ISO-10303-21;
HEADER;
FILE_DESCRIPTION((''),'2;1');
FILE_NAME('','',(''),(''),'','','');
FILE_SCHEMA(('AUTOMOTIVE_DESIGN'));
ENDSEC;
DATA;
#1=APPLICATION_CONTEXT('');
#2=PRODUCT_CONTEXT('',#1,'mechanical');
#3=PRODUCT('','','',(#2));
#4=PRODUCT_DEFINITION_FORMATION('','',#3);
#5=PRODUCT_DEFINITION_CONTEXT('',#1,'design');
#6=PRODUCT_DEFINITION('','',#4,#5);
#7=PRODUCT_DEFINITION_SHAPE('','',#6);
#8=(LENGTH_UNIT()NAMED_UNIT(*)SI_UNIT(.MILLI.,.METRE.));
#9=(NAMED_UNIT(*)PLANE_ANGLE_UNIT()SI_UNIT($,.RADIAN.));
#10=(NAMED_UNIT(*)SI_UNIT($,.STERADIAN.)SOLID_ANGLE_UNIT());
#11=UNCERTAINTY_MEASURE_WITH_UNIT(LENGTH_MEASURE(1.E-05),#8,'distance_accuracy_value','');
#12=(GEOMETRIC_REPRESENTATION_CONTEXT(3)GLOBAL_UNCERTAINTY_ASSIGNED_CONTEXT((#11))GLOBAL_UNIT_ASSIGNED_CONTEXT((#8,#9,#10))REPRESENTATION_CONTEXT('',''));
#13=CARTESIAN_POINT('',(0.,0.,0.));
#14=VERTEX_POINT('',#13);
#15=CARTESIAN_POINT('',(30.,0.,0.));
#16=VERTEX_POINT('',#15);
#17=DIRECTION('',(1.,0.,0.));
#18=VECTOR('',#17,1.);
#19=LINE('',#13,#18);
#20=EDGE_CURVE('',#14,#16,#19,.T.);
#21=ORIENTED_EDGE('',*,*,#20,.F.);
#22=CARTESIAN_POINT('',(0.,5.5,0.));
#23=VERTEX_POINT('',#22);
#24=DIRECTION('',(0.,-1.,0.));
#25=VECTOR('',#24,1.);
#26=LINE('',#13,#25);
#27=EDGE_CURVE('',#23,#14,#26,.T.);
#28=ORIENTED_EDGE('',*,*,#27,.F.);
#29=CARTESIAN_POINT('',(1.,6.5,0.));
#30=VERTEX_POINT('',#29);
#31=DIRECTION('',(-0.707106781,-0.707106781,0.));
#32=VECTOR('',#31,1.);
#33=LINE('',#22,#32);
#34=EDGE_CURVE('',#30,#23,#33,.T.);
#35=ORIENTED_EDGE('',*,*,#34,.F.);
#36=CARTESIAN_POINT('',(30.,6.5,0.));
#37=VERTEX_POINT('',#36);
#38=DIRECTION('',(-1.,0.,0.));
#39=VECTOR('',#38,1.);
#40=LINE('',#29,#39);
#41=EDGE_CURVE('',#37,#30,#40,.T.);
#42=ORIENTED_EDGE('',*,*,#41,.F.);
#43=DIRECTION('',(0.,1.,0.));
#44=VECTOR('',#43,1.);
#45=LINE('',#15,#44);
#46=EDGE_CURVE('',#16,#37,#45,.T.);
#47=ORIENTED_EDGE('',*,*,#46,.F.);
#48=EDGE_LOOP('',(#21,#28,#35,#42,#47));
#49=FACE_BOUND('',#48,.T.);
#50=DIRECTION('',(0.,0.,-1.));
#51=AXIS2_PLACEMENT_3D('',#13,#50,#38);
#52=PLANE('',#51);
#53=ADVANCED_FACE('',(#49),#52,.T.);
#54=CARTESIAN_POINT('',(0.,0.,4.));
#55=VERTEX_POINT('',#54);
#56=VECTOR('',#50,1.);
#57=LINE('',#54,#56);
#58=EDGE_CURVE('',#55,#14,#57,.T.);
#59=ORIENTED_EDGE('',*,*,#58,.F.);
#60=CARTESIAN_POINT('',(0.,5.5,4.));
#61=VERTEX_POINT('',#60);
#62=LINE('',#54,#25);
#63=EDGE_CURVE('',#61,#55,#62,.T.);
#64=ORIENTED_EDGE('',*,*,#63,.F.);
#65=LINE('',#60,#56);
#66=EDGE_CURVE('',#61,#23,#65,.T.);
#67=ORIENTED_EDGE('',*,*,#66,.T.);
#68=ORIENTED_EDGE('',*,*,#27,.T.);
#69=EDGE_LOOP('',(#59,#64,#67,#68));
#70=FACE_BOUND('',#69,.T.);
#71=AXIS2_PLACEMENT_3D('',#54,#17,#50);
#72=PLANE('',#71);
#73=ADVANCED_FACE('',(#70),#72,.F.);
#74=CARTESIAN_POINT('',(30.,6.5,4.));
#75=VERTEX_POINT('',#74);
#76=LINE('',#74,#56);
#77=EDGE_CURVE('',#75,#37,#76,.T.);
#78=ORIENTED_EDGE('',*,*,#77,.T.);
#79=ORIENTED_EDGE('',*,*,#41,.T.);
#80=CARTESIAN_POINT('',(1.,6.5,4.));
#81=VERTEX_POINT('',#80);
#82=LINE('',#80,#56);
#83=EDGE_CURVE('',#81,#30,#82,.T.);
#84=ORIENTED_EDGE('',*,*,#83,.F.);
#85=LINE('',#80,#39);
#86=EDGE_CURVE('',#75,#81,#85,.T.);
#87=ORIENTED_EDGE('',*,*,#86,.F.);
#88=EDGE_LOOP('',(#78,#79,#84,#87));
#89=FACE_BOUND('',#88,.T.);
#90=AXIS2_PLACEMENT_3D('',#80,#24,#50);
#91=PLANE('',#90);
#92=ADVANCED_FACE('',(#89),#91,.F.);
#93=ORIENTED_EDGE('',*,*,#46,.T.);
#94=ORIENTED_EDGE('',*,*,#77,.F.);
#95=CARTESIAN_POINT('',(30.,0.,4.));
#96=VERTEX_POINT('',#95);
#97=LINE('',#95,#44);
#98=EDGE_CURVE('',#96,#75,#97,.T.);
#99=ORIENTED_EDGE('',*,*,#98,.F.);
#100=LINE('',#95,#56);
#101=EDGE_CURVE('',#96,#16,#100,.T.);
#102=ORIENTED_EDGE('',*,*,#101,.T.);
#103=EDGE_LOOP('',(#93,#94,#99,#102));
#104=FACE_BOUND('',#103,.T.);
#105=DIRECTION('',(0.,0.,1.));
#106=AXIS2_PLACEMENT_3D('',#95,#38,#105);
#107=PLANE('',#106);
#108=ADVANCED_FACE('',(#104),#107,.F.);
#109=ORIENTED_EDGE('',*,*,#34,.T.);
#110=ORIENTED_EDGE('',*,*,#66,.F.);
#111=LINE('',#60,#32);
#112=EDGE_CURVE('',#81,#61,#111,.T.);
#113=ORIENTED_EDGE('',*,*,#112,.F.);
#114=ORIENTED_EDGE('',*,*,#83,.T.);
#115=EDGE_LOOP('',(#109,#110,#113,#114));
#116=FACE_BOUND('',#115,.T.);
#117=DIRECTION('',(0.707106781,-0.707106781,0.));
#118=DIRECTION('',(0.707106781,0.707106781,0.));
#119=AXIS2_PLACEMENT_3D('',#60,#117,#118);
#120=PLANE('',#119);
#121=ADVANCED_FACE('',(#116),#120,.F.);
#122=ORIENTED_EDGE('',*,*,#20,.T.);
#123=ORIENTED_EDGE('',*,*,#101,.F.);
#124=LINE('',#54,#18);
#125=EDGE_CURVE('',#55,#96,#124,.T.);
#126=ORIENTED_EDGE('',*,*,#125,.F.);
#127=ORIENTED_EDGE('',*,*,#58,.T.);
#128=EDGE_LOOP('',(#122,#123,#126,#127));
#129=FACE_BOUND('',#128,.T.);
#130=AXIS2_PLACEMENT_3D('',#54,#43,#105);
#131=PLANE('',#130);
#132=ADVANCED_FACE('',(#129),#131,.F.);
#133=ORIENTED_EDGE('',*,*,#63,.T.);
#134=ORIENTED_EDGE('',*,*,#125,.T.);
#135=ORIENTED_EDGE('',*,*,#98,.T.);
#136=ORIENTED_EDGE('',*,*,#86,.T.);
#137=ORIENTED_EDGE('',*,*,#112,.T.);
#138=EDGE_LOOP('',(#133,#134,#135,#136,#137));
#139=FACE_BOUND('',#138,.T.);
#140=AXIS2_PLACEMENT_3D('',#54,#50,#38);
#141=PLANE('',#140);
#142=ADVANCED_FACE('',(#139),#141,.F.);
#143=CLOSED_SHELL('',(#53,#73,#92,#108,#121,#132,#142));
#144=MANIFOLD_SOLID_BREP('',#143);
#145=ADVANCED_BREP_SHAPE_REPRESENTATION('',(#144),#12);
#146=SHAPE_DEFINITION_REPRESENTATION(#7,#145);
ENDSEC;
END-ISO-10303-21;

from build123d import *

# Parameters (mm, degrees)
AUFSATZ_LINEAR_AUSTRAGEN1_DEPTH = 4


with BuildPart() as part:
    # Skizze1 → Aufsatz-Linear austragen1 (new body)
    with BuildSketch(Plane.XY):
        Polygon((0, 5.5), (1, 6.5), (30, 6.5), (30, 0), (0, 0), align=None)
    extrude(amount=AUFSATZ_LINEAR_AUSTRAGEN1_DEPTH)


solid = part.part
